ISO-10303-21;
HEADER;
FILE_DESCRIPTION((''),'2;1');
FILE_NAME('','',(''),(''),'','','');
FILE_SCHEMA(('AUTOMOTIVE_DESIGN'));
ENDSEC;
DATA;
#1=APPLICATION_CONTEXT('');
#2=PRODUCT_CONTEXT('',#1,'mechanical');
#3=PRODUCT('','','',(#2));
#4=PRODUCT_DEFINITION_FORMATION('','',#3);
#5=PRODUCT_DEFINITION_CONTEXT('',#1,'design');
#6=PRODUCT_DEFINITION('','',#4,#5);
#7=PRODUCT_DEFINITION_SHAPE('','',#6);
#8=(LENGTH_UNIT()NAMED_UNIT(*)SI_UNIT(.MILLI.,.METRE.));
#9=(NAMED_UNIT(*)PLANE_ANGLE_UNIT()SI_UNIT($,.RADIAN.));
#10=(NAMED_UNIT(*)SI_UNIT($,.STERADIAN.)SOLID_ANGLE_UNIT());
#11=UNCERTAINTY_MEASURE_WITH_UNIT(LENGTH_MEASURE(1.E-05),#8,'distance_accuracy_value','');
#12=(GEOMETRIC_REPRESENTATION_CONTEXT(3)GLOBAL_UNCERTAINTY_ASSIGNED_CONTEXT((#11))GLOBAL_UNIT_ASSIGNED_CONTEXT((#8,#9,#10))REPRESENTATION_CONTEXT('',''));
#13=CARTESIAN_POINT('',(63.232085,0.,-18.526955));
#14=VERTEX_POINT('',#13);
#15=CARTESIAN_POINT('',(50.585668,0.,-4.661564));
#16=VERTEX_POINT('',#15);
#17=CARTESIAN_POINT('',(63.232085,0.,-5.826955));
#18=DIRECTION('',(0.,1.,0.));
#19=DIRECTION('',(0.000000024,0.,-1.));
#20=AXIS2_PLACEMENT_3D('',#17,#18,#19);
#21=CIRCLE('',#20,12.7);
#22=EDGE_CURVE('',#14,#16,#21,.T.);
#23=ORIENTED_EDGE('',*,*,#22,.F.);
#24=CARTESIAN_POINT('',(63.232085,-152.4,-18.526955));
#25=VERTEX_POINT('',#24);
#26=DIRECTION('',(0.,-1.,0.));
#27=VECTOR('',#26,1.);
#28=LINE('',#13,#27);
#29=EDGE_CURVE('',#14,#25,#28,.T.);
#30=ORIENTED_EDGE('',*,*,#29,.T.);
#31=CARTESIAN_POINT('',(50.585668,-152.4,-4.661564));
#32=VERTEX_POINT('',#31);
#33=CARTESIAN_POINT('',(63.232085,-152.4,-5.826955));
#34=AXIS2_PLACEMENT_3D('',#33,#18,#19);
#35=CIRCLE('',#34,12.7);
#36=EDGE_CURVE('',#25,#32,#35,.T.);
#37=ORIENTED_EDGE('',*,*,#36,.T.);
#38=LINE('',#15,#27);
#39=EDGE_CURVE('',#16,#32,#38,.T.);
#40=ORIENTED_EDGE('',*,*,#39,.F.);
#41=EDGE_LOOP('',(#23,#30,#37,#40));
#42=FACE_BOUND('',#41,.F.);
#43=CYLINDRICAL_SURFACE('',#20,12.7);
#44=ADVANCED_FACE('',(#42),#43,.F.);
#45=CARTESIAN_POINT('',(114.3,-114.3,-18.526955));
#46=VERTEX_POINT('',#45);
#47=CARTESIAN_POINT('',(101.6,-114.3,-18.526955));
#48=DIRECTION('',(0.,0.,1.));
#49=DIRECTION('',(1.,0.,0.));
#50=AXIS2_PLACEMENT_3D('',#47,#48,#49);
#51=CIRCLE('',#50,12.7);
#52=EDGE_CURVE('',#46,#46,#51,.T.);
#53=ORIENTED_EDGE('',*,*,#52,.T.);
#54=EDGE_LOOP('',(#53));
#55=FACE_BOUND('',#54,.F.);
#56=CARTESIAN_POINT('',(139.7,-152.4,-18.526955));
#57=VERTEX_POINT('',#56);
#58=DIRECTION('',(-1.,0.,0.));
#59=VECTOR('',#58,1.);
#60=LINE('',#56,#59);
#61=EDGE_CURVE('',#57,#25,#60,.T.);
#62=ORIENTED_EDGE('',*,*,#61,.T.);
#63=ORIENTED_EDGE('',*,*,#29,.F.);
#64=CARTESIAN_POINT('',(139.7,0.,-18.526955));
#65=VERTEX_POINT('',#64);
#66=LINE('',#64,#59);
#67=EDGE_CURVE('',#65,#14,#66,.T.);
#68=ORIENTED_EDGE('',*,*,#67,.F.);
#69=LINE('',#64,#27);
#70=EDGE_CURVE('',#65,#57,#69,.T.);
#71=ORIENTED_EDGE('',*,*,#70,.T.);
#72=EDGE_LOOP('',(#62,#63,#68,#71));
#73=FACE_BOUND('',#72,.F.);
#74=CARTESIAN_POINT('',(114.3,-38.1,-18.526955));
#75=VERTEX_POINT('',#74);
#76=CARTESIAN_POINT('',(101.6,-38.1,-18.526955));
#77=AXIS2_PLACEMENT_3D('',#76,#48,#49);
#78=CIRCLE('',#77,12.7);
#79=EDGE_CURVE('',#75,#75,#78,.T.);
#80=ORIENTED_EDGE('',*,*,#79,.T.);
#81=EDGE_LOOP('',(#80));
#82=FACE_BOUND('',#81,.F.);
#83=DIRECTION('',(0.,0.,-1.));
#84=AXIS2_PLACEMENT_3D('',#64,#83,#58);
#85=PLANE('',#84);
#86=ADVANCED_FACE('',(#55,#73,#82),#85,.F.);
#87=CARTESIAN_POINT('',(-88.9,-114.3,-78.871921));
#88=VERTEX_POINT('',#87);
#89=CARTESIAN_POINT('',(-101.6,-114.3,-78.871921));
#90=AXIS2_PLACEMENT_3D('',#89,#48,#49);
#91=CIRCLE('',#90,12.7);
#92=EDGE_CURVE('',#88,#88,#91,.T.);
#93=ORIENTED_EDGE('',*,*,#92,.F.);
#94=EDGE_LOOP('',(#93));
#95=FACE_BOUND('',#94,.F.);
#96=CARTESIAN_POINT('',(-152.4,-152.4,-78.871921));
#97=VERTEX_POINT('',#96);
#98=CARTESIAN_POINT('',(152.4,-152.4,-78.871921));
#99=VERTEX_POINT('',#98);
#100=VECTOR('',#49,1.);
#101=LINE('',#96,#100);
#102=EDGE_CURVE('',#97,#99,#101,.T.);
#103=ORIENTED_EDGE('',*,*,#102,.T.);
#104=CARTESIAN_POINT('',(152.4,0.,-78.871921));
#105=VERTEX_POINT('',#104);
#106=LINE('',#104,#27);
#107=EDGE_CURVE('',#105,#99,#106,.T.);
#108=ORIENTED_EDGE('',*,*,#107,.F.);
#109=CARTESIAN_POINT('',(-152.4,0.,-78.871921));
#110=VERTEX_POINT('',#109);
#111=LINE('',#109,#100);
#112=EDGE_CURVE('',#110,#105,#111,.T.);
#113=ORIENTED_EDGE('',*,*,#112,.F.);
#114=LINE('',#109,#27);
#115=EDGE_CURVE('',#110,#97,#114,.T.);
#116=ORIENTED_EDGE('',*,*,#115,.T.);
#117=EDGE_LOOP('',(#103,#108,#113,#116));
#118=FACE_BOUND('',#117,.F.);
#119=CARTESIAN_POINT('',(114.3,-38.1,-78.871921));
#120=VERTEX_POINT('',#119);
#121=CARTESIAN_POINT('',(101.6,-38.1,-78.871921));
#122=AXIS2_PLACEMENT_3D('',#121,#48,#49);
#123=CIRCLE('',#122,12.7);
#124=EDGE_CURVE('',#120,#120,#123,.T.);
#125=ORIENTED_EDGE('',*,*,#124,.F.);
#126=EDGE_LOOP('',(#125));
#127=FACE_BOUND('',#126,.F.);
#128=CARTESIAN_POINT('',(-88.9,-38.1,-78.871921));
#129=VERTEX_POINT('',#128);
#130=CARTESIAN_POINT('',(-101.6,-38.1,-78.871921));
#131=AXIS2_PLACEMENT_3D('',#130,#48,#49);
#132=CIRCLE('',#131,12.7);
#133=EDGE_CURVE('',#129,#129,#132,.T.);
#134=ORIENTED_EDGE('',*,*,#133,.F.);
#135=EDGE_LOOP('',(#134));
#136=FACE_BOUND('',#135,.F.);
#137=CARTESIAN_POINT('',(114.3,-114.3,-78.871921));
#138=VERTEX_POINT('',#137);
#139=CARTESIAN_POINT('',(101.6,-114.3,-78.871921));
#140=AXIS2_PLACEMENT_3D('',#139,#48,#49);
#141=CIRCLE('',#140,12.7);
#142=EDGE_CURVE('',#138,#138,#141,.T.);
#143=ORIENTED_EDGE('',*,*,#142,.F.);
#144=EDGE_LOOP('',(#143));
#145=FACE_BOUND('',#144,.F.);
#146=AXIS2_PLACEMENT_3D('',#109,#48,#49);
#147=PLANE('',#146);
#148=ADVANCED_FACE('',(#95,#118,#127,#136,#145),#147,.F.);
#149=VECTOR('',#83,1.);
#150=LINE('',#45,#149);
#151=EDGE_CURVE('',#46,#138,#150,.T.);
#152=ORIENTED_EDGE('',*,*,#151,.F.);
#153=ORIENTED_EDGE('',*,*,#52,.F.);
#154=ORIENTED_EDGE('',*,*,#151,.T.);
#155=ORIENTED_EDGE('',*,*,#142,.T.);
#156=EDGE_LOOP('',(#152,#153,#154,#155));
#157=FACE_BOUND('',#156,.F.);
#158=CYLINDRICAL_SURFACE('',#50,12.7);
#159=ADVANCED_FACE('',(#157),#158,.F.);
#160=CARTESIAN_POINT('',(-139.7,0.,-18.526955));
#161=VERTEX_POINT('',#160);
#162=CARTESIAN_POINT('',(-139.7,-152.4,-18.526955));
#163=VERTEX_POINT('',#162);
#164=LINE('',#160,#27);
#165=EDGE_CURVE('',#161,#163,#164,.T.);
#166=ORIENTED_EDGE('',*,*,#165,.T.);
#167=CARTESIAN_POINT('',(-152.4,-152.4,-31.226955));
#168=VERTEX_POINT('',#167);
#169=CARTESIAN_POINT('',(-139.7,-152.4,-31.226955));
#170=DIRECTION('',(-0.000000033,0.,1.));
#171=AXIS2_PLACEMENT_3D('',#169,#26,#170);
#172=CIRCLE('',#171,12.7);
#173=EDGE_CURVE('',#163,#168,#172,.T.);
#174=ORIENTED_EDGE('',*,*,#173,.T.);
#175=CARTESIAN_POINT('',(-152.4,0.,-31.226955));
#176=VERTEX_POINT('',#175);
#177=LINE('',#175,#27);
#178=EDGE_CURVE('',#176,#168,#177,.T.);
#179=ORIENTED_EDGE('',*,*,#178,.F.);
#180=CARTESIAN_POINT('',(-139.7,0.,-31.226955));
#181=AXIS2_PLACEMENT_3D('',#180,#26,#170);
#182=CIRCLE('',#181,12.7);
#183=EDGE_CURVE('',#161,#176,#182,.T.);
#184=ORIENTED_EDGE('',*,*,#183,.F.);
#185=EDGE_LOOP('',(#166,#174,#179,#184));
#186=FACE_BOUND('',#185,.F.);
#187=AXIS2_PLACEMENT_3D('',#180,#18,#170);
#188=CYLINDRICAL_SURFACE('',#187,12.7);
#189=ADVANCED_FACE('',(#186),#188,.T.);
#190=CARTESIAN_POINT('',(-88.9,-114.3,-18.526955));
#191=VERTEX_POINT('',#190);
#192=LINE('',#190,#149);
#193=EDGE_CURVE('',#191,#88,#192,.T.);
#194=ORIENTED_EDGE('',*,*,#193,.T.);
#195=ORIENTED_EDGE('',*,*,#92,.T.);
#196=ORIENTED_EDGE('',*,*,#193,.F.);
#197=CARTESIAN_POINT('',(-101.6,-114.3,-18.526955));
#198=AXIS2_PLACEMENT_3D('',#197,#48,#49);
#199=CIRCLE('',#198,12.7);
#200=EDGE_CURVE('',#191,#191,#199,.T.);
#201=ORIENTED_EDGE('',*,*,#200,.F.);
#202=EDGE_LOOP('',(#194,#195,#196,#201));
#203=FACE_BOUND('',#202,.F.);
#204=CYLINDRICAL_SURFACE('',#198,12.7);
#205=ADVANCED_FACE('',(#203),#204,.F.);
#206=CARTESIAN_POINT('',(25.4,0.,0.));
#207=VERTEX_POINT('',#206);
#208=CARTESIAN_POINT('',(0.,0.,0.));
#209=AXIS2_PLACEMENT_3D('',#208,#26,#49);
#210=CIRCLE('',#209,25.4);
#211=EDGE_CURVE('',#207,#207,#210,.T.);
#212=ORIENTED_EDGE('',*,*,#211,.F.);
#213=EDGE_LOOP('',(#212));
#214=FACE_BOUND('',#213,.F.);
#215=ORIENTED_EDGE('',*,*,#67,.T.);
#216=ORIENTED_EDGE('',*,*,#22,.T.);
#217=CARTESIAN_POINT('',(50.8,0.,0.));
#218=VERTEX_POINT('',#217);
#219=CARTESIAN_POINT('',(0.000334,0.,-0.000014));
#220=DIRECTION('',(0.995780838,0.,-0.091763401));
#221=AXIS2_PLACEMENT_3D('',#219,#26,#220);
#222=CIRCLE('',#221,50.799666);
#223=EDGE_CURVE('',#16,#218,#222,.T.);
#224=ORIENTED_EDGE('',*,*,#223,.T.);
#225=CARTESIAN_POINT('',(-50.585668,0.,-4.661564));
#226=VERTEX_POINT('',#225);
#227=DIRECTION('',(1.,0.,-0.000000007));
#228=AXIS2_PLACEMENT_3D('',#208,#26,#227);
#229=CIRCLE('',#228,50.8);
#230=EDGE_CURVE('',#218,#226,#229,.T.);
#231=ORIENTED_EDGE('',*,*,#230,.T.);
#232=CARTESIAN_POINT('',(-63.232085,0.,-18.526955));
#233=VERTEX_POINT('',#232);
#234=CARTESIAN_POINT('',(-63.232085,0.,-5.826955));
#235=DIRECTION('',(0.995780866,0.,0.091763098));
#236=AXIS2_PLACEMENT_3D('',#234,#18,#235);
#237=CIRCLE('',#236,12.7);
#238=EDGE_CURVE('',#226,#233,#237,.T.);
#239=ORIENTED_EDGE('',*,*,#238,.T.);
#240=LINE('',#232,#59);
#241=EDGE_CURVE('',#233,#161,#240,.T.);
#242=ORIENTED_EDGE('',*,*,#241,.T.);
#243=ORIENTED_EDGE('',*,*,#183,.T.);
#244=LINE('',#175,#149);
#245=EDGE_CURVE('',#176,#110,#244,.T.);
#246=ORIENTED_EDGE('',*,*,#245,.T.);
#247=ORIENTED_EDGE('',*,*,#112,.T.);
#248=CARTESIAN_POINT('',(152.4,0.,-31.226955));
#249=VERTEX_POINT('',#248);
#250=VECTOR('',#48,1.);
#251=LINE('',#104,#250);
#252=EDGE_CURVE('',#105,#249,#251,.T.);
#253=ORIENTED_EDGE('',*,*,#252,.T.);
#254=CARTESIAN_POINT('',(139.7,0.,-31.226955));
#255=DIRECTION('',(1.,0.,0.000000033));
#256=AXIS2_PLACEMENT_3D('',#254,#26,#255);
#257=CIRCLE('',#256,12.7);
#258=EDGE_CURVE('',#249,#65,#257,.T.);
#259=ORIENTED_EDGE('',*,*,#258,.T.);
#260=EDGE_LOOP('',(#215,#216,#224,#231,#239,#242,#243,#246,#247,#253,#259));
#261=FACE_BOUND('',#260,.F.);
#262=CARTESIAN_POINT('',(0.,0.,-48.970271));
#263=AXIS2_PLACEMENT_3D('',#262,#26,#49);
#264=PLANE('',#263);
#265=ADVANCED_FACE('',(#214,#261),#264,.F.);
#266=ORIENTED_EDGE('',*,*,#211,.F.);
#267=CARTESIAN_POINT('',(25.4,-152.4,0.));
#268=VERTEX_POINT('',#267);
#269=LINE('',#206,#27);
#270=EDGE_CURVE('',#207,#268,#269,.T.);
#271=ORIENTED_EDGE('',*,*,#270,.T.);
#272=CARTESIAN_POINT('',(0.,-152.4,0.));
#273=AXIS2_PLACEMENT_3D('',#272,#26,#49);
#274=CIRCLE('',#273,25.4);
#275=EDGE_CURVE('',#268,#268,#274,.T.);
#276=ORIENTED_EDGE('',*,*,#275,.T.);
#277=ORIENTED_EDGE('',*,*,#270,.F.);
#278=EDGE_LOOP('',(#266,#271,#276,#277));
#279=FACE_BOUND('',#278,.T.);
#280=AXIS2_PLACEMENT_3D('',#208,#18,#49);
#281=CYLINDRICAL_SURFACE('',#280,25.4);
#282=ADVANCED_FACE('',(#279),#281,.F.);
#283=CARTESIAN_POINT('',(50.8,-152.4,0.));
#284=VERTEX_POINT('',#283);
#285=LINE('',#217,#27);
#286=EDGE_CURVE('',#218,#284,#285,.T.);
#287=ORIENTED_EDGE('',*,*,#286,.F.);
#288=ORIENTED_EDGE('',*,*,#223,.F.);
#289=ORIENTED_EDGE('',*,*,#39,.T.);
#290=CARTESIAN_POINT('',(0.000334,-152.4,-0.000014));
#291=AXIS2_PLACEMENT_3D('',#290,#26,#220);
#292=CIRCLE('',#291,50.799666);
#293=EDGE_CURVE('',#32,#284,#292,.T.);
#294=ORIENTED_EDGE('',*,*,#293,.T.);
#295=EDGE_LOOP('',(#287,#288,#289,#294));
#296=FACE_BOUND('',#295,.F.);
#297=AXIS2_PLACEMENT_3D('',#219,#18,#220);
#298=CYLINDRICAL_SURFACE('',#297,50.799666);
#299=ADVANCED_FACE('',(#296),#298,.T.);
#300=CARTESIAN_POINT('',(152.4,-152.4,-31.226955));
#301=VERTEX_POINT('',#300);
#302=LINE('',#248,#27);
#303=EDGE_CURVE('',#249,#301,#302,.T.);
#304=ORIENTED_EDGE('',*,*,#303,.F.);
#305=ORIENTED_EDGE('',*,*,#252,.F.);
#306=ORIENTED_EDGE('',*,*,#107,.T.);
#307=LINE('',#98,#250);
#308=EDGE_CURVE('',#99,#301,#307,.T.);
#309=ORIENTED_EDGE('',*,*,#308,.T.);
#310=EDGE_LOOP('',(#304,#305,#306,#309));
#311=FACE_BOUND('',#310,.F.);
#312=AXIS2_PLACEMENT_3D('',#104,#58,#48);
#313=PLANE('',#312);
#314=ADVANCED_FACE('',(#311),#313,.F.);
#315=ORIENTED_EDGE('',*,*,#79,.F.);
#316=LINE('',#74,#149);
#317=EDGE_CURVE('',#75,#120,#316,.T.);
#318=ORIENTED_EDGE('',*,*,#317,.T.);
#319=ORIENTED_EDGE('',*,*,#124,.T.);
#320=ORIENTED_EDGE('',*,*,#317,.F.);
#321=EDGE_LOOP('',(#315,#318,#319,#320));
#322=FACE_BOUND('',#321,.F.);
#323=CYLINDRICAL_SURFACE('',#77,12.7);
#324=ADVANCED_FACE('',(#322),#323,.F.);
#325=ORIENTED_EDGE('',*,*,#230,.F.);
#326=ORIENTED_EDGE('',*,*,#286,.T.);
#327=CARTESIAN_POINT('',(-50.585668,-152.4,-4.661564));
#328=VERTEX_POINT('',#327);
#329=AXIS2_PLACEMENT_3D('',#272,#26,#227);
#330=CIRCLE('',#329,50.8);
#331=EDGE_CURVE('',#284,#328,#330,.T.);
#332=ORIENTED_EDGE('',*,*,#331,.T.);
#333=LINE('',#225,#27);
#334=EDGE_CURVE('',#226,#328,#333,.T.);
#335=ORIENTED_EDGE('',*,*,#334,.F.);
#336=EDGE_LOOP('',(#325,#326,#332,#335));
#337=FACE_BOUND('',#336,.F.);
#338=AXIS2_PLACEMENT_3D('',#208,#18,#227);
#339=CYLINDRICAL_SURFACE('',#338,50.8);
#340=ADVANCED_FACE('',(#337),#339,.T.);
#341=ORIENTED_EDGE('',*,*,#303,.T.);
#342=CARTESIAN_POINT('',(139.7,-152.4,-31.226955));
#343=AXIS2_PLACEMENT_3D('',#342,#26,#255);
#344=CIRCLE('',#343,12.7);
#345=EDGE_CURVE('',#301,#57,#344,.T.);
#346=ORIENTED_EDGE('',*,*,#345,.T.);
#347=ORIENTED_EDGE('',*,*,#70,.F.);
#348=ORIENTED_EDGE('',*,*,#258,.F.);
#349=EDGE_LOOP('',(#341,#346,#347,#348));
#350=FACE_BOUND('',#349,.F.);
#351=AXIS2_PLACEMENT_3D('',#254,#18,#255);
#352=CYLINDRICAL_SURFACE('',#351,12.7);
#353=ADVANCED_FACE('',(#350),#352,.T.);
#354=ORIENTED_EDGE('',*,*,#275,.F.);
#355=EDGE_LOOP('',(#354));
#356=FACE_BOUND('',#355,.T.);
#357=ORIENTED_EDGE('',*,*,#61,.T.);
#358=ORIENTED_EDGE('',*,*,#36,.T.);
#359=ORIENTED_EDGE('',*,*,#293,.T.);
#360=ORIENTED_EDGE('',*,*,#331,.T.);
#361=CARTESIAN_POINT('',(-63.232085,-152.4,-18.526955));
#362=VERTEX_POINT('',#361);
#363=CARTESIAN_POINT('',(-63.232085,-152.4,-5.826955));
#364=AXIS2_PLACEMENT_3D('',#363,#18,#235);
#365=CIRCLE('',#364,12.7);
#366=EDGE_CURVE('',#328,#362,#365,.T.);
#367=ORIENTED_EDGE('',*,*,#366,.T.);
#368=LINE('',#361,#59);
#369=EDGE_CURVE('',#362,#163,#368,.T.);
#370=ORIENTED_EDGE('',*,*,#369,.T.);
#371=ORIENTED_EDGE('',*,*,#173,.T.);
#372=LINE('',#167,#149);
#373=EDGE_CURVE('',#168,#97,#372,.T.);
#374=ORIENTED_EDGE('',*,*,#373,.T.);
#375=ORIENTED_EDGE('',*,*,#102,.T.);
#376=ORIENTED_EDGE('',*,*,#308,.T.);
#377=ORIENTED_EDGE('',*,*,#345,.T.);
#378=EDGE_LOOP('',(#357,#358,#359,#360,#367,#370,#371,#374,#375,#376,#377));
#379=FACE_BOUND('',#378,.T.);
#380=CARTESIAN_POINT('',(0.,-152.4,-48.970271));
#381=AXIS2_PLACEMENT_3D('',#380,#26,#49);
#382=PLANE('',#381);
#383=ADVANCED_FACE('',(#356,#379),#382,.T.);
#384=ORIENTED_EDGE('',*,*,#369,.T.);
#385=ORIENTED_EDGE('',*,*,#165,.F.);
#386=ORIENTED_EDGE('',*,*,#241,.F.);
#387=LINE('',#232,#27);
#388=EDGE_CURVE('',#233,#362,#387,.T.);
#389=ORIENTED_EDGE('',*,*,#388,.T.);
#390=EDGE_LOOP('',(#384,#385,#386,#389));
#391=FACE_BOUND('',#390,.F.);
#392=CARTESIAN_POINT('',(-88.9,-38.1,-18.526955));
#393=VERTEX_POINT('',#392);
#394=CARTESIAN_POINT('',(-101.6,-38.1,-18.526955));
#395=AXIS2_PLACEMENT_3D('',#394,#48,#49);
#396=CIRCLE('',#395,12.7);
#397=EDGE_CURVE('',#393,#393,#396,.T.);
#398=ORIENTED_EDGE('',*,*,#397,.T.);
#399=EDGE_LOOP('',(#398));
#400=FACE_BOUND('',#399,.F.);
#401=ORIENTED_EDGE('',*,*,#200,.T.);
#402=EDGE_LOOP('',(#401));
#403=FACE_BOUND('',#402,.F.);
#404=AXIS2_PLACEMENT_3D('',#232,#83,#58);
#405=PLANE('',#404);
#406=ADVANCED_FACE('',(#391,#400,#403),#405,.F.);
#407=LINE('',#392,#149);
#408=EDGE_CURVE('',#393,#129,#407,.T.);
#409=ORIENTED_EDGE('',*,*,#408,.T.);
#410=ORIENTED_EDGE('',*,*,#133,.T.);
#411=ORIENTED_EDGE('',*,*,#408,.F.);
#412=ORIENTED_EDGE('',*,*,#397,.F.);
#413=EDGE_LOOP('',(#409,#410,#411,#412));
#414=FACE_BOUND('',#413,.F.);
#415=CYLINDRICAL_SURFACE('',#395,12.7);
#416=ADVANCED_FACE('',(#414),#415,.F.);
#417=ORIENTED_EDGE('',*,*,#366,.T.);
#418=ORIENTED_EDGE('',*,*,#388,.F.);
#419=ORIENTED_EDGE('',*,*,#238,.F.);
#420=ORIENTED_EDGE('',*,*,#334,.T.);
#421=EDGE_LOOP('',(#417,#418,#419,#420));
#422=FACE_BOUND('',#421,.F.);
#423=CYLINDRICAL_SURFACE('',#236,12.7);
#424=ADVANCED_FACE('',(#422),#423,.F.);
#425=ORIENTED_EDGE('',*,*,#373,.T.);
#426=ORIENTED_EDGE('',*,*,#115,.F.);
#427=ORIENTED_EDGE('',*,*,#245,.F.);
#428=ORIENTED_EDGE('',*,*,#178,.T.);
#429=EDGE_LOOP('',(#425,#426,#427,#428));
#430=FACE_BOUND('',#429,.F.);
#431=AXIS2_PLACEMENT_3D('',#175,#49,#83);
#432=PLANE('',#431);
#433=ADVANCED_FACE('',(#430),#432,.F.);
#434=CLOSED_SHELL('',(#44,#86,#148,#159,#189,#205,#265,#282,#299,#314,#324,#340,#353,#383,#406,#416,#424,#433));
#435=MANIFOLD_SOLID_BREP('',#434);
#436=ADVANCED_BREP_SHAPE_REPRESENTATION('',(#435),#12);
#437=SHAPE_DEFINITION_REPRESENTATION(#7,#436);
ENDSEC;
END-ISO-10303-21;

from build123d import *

# Parameters (mm, degrees)
F0_R     = 25.4
F1_DEPTH = 152.4
F2_R     = 12.7
F3_DEPTH = 60.345965


with BuildPart() as f1:
    # F0 (on Front) → F1 (new body)
    with BuildSketch(Plane.XZ):
        with BuildLine():
            ThreePointArc((-50.585668, -4.661564), (-53.848843, -14.385271), (-63.232085, -18.526955))
            Line((-63.232085, -18.526955), (-139.7, -18.526955))
            ThreePointArc((-139.7, -18.526955), (-148.680256, -22.246699), (-152.4, -31.226955))
            Line((-152.4, -31.226955), (-152.4, -78.871921))
            Line((-152.4, -78.871921), (152.4, -78.871921))
            Line((152.4, -78.871921), (152.4, -31.226955))
            ThreePointArc((152.4, -31.226955), (148.680256, -22.246699), (139.7, -18.526955))
            Line((139.7, -18.526955), (63.232085, -18.526955))
            ThreePointArc((63.232085, -18.526955), (53.848843, -14.385271), (50.585668, -4.661564))
            ThreePointArc((50.585668, -4.661564), (0, -50.8), (-50.585668, -4.661564))
        make_face()
        with BuildLine():
            ThreePointArc((50.8, 0), (-2.333245, 50.746389), (-50.585668, -4.661564))
            ThreePointArc((-50.585668, -4.661564), (0, -50.8), (50.585668, -4.661564))
            ThreePointArc((50.585668, -4.661564), (50.746389, -2.333245), (50.8, 0))
        make_face()
        Circle(F0_R, mode=Mode.SUBTRACT)
    extrude(amount=F1_DEPTH)

    # F2 (on face) → F3 (cut, through all)
    with BuildSketch(Plane.XY.offset(-18.526955)):
        with Locations((-101.6, -38.1)):
            Circle(F2_R)
        with Locations((-101.6, -114.3)):
            Circle(F2_R)
        with Locations((101.6, -114.3)):
            Circle(F2_R)
        with Locations((101.6, -38.1)):
            Circle(F2_R)
    extrude(amount=-F3_DEPTH, mode=Mode.SUBTRACT)


solid = f1.part
